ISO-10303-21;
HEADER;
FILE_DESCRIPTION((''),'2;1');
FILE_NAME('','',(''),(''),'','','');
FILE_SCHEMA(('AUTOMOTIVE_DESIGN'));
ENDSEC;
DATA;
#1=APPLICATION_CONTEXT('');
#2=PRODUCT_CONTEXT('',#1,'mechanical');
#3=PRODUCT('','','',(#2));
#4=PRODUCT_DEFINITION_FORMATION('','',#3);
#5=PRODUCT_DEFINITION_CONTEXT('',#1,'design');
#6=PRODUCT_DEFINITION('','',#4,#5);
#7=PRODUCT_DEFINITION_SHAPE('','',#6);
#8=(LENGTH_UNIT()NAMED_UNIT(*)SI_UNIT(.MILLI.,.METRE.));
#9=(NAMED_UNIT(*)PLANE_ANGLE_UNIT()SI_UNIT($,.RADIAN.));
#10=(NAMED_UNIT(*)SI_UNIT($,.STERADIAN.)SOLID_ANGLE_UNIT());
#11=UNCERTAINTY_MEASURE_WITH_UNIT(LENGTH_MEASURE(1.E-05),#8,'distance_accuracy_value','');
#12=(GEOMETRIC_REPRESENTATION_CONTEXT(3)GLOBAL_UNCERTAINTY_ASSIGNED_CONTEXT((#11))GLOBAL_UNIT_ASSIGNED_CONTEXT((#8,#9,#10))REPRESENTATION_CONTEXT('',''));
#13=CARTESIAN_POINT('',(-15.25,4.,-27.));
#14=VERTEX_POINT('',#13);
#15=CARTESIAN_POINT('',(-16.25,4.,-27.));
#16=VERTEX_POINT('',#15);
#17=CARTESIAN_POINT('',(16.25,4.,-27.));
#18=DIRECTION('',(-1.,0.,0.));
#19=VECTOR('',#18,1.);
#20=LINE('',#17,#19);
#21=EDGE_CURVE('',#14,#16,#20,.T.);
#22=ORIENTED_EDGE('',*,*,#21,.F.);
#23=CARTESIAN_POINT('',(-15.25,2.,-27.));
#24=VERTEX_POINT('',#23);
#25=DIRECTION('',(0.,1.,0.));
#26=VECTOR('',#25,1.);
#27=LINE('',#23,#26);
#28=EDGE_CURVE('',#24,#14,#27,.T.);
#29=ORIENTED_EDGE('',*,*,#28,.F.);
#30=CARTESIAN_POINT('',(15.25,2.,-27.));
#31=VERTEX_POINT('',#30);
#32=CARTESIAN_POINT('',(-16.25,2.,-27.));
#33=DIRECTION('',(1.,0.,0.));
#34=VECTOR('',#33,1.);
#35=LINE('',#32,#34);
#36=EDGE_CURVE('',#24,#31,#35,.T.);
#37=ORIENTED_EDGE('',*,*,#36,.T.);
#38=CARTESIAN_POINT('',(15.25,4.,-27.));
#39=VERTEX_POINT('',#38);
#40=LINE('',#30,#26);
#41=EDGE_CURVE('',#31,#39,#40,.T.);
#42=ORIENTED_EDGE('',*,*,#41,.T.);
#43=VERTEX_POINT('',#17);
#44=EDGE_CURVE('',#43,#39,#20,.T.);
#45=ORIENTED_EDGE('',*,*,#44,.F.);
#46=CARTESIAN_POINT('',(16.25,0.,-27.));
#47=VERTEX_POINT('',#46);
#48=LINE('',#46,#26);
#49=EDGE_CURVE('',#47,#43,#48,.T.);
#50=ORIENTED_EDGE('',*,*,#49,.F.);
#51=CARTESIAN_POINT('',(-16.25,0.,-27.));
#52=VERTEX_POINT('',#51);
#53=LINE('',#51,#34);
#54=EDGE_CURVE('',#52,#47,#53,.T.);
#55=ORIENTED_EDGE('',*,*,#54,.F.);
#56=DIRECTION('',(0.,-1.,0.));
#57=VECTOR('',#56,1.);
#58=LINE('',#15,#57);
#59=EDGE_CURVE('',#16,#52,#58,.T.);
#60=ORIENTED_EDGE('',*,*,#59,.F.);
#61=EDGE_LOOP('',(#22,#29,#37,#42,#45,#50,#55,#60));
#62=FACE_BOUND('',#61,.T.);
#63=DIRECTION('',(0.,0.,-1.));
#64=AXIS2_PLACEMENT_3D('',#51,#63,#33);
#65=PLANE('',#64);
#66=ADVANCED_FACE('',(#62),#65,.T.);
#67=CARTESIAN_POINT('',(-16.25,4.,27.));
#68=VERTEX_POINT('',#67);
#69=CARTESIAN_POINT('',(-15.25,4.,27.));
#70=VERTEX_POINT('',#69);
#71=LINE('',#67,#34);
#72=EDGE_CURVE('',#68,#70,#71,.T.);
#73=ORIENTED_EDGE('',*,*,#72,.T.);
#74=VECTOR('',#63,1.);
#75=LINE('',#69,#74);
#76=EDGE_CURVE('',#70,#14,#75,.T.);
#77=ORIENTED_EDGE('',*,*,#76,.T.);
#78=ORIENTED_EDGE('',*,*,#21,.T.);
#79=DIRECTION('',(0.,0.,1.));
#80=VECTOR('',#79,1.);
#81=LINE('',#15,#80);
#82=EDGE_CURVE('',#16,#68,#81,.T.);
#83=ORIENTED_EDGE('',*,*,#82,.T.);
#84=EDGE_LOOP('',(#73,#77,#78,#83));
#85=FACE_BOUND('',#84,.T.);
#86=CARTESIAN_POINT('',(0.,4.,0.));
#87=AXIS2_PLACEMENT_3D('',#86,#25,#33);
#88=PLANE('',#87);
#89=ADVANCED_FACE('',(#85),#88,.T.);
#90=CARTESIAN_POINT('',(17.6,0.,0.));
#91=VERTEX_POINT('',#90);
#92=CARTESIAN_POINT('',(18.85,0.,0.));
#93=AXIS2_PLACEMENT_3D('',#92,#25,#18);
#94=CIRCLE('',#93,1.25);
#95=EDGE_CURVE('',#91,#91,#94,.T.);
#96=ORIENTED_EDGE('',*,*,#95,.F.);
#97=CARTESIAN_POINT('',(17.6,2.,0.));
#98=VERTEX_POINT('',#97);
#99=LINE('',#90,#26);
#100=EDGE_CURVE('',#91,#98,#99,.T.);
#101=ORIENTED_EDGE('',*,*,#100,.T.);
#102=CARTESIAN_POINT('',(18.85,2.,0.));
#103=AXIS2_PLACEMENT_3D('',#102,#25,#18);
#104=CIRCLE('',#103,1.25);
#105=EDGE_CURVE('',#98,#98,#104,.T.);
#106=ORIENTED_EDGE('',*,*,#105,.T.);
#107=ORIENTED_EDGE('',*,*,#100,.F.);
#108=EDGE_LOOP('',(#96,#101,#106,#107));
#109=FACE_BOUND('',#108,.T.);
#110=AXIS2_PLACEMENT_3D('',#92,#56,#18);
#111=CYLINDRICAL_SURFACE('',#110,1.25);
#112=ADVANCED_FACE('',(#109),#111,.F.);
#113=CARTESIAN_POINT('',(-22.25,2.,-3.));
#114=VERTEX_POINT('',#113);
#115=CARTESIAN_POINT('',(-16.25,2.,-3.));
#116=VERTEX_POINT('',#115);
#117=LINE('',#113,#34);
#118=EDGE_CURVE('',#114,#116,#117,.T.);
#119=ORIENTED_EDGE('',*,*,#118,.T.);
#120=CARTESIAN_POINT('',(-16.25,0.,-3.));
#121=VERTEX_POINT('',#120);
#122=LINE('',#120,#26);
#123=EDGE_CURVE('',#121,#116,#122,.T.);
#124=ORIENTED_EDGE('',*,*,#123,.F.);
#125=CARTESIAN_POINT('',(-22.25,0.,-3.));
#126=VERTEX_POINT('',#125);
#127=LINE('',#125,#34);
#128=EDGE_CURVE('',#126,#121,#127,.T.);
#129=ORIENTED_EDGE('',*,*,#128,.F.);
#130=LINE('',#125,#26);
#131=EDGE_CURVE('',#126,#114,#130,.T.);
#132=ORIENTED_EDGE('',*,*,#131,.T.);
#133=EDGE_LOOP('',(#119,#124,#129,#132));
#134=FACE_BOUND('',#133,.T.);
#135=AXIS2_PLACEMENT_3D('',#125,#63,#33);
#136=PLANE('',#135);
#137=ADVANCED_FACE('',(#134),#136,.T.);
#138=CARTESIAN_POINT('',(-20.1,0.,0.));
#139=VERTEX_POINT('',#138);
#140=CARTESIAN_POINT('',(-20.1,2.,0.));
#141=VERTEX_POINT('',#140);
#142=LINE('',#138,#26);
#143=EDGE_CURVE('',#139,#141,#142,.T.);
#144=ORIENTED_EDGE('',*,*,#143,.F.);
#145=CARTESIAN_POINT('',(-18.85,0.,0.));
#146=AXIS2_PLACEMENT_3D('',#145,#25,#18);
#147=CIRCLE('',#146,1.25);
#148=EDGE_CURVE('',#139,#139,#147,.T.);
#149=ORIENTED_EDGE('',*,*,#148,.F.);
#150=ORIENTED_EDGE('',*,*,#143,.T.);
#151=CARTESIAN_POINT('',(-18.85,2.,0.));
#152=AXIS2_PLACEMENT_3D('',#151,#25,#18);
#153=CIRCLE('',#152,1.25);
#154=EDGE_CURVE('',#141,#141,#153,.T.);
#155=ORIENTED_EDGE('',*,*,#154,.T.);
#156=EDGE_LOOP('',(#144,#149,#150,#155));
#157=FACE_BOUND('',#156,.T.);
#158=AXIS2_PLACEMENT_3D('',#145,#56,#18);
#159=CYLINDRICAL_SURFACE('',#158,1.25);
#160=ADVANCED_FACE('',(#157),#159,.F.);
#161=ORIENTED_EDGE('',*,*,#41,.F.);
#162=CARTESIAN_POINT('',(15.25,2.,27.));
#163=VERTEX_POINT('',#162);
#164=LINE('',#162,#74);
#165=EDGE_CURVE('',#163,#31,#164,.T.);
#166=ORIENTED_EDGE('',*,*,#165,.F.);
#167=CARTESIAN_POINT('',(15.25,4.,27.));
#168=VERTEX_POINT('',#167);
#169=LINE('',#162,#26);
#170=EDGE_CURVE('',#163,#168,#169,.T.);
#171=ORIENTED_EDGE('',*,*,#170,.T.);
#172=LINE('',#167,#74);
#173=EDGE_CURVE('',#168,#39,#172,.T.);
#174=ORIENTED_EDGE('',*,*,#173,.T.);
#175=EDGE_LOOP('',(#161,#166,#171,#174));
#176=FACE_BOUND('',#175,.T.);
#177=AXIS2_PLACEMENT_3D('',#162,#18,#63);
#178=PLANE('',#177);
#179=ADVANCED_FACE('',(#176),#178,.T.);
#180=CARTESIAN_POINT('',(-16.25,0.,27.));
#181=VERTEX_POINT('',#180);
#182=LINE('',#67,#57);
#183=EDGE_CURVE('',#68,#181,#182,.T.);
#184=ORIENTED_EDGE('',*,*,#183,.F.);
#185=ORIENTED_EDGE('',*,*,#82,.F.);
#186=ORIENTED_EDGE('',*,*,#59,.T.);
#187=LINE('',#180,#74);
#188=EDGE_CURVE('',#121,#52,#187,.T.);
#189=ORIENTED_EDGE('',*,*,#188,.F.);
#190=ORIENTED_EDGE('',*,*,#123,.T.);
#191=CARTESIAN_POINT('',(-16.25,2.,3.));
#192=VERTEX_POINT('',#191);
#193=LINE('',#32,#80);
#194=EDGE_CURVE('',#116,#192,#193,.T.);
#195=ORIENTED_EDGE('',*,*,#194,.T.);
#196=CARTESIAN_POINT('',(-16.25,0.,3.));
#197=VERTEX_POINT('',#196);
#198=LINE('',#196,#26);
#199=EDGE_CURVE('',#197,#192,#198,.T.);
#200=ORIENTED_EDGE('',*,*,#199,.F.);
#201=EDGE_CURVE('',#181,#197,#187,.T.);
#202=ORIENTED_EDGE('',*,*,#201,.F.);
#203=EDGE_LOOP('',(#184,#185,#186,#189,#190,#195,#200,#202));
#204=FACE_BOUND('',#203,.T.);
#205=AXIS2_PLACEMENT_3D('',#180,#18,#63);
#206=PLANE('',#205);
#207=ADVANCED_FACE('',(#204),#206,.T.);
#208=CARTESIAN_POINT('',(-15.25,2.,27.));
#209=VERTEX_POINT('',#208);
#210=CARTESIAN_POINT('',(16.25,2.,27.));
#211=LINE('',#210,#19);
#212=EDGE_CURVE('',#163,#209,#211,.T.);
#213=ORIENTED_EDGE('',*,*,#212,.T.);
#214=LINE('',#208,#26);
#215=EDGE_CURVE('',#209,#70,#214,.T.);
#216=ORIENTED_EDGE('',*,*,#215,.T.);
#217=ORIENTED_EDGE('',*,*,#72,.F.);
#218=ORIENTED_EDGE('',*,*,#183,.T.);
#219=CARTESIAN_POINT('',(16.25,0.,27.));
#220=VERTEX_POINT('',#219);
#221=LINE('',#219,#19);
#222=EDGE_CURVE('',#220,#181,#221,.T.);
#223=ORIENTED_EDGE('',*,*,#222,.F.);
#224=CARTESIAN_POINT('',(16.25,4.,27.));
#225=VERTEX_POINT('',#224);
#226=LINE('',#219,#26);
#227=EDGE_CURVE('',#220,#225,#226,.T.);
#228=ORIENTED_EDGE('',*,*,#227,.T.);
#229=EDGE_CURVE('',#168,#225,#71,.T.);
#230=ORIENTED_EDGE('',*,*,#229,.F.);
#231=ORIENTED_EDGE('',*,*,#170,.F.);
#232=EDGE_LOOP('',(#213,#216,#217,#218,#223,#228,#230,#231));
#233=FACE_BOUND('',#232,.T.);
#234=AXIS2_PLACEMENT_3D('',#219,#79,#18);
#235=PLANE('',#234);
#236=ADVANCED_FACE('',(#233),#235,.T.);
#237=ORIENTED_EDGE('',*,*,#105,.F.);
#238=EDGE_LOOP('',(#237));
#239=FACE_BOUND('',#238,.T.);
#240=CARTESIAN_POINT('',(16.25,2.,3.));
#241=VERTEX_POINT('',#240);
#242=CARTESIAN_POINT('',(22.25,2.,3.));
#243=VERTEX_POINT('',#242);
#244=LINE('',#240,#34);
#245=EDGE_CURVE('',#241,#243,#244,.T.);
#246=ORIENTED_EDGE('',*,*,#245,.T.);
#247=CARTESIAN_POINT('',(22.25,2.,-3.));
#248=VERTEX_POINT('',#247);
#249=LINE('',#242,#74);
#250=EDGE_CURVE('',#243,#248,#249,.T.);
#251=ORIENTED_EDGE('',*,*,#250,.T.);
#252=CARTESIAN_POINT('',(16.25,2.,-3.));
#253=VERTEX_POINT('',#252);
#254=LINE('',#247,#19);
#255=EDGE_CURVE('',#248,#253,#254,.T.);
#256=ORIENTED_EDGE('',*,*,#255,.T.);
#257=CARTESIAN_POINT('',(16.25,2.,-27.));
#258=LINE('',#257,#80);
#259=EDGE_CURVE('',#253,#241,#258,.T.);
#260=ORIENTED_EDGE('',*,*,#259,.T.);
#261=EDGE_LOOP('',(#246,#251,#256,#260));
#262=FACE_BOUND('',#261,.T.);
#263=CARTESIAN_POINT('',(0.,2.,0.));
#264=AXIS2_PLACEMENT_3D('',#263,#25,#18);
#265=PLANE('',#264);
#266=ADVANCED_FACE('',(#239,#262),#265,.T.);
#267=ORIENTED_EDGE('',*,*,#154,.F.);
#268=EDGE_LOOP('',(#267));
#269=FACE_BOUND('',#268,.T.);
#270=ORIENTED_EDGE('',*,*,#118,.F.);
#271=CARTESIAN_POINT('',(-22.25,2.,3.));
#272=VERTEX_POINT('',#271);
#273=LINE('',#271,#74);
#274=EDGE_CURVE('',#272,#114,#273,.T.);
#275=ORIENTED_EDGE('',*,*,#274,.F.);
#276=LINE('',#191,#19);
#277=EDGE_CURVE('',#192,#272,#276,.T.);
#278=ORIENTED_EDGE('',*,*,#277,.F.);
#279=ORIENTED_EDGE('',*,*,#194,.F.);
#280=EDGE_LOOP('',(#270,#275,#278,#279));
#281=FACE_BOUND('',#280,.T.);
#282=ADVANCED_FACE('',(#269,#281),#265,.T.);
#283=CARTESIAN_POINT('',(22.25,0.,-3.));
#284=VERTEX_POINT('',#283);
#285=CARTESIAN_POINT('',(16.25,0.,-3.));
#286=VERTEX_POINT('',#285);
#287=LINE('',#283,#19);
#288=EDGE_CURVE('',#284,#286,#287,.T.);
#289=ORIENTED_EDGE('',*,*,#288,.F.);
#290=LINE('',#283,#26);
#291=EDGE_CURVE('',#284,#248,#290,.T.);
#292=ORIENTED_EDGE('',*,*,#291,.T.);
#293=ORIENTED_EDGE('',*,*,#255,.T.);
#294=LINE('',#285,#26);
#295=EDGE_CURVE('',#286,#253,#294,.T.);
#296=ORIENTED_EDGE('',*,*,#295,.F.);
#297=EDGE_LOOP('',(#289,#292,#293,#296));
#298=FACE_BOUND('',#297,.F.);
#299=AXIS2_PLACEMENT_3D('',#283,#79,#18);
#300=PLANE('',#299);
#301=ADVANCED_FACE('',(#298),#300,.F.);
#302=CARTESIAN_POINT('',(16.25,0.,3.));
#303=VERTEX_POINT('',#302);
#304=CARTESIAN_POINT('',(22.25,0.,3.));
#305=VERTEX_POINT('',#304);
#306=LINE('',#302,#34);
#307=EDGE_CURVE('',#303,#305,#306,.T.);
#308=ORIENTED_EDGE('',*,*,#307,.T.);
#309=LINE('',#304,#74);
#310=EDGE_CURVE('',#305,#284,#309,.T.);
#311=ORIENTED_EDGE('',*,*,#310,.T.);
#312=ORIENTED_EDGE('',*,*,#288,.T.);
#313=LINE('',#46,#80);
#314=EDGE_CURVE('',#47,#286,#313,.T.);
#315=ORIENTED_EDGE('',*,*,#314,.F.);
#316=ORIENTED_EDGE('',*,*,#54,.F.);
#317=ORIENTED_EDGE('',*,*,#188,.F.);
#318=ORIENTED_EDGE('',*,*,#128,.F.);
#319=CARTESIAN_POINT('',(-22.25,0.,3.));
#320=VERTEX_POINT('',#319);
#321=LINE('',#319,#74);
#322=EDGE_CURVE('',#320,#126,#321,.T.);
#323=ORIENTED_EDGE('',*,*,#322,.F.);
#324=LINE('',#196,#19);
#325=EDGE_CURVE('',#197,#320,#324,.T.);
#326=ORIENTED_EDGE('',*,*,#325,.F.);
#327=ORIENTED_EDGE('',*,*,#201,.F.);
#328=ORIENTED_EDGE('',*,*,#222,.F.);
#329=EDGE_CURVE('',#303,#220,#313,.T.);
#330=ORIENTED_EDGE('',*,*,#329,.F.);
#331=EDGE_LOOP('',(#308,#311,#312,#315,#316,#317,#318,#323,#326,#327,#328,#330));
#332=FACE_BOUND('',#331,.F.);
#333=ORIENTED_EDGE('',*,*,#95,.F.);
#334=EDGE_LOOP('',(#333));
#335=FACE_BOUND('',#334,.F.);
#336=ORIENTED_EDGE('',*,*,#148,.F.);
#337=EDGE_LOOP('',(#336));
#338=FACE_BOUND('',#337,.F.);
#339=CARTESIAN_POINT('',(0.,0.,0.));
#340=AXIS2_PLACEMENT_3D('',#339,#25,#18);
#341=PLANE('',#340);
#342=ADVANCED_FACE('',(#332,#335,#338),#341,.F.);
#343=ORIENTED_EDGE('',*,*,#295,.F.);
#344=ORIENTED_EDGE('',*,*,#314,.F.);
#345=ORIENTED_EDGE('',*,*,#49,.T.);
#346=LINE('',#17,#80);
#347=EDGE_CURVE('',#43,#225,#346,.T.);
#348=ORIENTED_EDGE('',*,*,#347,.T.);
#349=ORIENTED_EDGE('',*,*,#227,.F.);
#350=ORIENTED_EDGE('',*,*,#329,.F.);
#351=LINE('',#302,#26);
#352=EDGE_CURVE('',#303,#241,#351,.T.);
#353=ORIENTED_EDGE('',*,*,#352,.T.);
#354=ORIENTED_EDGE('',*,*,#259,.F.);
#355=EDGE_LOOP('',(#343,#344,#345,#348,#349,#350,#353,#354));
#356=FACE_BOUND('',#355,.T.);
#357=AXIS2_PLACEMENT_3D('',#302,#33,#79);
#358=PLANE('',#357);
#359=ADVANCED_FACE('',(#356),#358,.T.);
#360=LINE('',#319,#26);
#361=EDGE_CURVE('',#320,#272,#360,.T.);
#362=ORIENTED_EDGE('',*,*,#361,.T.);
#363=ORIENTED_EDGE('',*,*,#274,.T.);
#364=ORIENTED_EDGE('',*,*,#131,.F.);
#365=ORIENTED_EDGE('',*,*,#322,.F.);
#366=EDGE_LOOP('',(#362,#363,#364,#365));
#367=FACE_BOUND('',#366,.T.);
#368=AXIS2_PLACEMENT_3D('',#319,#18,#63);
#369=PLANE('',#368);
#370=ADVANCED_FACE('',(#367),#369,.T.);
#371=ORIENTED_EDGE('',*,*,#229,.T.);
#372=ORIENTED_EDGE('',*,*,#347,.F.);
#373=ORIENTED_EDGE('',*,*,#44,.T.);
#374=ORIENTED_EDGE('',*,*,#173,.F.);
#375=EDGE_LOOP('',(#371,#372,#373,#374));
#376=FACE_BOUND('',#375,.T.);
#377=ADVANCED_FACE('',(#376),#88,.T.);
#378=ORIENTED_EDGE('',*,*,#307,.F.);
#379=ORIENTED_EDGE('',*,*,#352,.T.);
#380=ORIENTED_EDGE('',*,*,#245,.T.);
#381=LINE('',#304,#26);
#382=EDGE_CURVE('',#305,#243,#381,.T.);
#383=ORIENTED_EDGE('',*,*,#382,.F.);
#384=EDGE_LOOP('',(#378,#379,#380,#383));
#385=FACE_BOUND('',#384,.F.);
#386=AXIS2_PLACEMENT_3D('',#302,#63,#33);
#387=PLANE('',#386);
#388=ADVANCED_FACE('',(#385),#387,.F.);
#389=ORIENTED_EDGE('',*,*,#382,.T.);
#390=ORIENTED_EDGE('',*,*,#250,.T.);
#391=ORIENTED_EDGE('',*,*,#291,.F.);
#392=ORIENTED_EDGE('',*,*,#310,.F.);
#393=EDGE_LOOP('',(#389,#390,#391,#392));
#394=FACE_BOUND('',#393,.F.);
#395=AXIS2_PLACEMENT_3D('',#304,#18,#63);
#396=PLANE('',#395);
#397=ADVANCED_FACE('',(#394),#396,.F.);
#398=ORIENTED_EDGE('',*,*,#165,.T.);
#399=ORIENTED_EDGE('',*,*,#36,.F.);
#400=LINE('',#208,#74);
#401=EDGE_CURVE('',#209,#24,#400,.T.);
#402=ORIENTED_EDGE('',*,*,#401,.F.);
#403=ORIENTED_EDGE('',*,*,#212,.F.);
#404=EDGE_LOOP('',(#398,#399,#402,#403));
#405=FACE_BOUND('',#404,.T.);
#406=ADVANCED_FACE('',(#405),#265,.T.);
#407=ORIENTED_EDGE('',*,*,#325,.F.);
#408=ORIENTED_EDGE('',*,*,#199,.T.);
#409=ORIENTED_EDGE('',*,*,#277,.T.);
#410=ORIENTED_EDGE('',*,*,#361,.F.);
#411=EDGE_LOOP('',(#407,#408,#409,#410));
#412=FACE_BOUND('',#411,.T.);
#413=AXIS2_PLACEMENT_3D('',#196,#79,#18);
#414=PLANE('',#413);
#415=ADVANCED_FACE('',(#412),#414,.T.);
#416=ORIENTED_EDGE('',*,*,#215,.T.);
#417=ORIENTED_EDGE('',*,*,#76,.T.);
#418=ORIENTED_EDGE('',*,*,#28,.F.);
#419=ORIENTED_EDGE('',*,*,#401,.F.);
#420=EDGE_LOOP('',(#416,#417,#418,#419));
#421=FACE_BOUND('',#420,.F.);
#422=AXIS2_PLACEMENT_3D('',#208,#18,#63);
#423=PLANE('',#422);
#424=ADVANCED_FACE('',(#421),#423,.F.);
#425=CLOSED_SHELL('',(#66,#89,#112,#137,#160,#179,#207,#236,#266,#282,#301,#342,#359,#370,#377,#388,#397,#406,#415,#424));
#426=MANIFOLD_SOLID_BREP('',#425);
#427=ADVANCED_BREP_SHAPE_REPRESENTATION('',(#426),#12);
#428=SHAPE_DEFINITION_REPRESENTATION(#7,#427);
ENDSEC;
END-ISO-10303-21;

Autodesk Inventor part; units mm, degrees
ref_plane "YZ Plane" through (0, 0, 0) normal (1, 0, 0) x (0, 1, 0)
ref_plane "XZ Plane" through (0, 0, 0) normal (0, 1, 0) x (-1, 0, 0)
ref_plane "XY Plane" through (0, 0, 0) normal (0, 0, 1) x (1, 0, 0)
sketch "Sketch1" plane through (0, 0, 0) normal (0, 1, 0) x (-1, 0, 0)
  line L0 (-16.25, 27) -> (16.25, 27)
  line L1 (16.25, 27) -> (16.25, -27)
  line L2 (16.25, -27) -> (-16.25, -27)
  line L3 (-16.25, -27) -> (-16.25, 27)
  line L4 (-16.25, 27) -> (16.25, -27) construction
  line L5 (16.25, 27) -> (-16.25, -27) construction
  line L6 (16.25, 3) -> (22.25, 3)
  line L7 (22.25, 3) -> (22.25, -3)
  line L8 (22.25, -3) -> (16.25, -3)
  line L9 (16.25, -3) -> (16.25, 3)
  line L10 (-16.25, 3) -> (-22.25, 3)
  line L11 (-22.25, 3) -> (-22.25, -3)
  line L12 (-22.25, -3) -> (-16.25, -3)
  line L13 (-16.25, -3) -> (-16.25, 3)
  circle A0 centre (18.85, 0) radius 1.25
  circle A1 centre (-18.85, 0) radius 1.25
  point P0 (0, 0)
  point P1 (19.25, -3)
  point P2 (19.25, 3)
  point P3 (22.25, 0)
  point P4 (16.25, 0)
  point P5 (-22.25, 0)
  point P6 (-16.25, 0)
  dimension "d0" = 54
  dimension "d1" = 32.5
  dimension "d12" = 6
  dimension "d13" = 6
  dimension "d14" = 6
  dimension "d15" = 6
  dimension "d16" = 2.5
  dimension "d17" = 2.5
  dimension "d18" = 2.6
  dimension "d19" = 37.7
  dimension "d20" = 3
  dimension "d21" = 3
extrude "Extrusion1" add sketch "Sketch1" along normal blind 2
sketch "Sketch2" plane through (0, 2, 0) normal (0, 1, 0) x (1, 0, 0)
  line L0 (-16.25, -27) -> (16.25, -27) projected
  line L1 (-16.25, 27) -> (-16.25, -27) projected
  line L2 (16.25, 27) -> (-16.25, 27) projected
  line L3 (-16.25, -27) -> (-15.25, -27)
  line L4 (-15.25, -27) -> (-15.25, 27)
  line L5 (-15.25, 27) -> (-16.25, 27)
  line L6 (-16.25, 27) -> (-16.25, -27)
  line L7 (0, -27) -> (0, 27) construction
  line L8 (16.25, -27) -> (15.25, -27)
  line L9 (15.25, -27) -> (15.25, 27)
  line L10 (15.25, 27) -> (16.25, 27)
  line L11 (16.25, 27) -> (16.25, -27)
  point P0 (0, 0)
  dimension "d4" = 1
  dimension "d5" = 1
extrude "Extrusion2" add sketch "Sketch2" along normal blind 2 contours L1 L2 L4 L0 | L9 L2 L11 L0
properties part number "Bateria_Podkladka"
